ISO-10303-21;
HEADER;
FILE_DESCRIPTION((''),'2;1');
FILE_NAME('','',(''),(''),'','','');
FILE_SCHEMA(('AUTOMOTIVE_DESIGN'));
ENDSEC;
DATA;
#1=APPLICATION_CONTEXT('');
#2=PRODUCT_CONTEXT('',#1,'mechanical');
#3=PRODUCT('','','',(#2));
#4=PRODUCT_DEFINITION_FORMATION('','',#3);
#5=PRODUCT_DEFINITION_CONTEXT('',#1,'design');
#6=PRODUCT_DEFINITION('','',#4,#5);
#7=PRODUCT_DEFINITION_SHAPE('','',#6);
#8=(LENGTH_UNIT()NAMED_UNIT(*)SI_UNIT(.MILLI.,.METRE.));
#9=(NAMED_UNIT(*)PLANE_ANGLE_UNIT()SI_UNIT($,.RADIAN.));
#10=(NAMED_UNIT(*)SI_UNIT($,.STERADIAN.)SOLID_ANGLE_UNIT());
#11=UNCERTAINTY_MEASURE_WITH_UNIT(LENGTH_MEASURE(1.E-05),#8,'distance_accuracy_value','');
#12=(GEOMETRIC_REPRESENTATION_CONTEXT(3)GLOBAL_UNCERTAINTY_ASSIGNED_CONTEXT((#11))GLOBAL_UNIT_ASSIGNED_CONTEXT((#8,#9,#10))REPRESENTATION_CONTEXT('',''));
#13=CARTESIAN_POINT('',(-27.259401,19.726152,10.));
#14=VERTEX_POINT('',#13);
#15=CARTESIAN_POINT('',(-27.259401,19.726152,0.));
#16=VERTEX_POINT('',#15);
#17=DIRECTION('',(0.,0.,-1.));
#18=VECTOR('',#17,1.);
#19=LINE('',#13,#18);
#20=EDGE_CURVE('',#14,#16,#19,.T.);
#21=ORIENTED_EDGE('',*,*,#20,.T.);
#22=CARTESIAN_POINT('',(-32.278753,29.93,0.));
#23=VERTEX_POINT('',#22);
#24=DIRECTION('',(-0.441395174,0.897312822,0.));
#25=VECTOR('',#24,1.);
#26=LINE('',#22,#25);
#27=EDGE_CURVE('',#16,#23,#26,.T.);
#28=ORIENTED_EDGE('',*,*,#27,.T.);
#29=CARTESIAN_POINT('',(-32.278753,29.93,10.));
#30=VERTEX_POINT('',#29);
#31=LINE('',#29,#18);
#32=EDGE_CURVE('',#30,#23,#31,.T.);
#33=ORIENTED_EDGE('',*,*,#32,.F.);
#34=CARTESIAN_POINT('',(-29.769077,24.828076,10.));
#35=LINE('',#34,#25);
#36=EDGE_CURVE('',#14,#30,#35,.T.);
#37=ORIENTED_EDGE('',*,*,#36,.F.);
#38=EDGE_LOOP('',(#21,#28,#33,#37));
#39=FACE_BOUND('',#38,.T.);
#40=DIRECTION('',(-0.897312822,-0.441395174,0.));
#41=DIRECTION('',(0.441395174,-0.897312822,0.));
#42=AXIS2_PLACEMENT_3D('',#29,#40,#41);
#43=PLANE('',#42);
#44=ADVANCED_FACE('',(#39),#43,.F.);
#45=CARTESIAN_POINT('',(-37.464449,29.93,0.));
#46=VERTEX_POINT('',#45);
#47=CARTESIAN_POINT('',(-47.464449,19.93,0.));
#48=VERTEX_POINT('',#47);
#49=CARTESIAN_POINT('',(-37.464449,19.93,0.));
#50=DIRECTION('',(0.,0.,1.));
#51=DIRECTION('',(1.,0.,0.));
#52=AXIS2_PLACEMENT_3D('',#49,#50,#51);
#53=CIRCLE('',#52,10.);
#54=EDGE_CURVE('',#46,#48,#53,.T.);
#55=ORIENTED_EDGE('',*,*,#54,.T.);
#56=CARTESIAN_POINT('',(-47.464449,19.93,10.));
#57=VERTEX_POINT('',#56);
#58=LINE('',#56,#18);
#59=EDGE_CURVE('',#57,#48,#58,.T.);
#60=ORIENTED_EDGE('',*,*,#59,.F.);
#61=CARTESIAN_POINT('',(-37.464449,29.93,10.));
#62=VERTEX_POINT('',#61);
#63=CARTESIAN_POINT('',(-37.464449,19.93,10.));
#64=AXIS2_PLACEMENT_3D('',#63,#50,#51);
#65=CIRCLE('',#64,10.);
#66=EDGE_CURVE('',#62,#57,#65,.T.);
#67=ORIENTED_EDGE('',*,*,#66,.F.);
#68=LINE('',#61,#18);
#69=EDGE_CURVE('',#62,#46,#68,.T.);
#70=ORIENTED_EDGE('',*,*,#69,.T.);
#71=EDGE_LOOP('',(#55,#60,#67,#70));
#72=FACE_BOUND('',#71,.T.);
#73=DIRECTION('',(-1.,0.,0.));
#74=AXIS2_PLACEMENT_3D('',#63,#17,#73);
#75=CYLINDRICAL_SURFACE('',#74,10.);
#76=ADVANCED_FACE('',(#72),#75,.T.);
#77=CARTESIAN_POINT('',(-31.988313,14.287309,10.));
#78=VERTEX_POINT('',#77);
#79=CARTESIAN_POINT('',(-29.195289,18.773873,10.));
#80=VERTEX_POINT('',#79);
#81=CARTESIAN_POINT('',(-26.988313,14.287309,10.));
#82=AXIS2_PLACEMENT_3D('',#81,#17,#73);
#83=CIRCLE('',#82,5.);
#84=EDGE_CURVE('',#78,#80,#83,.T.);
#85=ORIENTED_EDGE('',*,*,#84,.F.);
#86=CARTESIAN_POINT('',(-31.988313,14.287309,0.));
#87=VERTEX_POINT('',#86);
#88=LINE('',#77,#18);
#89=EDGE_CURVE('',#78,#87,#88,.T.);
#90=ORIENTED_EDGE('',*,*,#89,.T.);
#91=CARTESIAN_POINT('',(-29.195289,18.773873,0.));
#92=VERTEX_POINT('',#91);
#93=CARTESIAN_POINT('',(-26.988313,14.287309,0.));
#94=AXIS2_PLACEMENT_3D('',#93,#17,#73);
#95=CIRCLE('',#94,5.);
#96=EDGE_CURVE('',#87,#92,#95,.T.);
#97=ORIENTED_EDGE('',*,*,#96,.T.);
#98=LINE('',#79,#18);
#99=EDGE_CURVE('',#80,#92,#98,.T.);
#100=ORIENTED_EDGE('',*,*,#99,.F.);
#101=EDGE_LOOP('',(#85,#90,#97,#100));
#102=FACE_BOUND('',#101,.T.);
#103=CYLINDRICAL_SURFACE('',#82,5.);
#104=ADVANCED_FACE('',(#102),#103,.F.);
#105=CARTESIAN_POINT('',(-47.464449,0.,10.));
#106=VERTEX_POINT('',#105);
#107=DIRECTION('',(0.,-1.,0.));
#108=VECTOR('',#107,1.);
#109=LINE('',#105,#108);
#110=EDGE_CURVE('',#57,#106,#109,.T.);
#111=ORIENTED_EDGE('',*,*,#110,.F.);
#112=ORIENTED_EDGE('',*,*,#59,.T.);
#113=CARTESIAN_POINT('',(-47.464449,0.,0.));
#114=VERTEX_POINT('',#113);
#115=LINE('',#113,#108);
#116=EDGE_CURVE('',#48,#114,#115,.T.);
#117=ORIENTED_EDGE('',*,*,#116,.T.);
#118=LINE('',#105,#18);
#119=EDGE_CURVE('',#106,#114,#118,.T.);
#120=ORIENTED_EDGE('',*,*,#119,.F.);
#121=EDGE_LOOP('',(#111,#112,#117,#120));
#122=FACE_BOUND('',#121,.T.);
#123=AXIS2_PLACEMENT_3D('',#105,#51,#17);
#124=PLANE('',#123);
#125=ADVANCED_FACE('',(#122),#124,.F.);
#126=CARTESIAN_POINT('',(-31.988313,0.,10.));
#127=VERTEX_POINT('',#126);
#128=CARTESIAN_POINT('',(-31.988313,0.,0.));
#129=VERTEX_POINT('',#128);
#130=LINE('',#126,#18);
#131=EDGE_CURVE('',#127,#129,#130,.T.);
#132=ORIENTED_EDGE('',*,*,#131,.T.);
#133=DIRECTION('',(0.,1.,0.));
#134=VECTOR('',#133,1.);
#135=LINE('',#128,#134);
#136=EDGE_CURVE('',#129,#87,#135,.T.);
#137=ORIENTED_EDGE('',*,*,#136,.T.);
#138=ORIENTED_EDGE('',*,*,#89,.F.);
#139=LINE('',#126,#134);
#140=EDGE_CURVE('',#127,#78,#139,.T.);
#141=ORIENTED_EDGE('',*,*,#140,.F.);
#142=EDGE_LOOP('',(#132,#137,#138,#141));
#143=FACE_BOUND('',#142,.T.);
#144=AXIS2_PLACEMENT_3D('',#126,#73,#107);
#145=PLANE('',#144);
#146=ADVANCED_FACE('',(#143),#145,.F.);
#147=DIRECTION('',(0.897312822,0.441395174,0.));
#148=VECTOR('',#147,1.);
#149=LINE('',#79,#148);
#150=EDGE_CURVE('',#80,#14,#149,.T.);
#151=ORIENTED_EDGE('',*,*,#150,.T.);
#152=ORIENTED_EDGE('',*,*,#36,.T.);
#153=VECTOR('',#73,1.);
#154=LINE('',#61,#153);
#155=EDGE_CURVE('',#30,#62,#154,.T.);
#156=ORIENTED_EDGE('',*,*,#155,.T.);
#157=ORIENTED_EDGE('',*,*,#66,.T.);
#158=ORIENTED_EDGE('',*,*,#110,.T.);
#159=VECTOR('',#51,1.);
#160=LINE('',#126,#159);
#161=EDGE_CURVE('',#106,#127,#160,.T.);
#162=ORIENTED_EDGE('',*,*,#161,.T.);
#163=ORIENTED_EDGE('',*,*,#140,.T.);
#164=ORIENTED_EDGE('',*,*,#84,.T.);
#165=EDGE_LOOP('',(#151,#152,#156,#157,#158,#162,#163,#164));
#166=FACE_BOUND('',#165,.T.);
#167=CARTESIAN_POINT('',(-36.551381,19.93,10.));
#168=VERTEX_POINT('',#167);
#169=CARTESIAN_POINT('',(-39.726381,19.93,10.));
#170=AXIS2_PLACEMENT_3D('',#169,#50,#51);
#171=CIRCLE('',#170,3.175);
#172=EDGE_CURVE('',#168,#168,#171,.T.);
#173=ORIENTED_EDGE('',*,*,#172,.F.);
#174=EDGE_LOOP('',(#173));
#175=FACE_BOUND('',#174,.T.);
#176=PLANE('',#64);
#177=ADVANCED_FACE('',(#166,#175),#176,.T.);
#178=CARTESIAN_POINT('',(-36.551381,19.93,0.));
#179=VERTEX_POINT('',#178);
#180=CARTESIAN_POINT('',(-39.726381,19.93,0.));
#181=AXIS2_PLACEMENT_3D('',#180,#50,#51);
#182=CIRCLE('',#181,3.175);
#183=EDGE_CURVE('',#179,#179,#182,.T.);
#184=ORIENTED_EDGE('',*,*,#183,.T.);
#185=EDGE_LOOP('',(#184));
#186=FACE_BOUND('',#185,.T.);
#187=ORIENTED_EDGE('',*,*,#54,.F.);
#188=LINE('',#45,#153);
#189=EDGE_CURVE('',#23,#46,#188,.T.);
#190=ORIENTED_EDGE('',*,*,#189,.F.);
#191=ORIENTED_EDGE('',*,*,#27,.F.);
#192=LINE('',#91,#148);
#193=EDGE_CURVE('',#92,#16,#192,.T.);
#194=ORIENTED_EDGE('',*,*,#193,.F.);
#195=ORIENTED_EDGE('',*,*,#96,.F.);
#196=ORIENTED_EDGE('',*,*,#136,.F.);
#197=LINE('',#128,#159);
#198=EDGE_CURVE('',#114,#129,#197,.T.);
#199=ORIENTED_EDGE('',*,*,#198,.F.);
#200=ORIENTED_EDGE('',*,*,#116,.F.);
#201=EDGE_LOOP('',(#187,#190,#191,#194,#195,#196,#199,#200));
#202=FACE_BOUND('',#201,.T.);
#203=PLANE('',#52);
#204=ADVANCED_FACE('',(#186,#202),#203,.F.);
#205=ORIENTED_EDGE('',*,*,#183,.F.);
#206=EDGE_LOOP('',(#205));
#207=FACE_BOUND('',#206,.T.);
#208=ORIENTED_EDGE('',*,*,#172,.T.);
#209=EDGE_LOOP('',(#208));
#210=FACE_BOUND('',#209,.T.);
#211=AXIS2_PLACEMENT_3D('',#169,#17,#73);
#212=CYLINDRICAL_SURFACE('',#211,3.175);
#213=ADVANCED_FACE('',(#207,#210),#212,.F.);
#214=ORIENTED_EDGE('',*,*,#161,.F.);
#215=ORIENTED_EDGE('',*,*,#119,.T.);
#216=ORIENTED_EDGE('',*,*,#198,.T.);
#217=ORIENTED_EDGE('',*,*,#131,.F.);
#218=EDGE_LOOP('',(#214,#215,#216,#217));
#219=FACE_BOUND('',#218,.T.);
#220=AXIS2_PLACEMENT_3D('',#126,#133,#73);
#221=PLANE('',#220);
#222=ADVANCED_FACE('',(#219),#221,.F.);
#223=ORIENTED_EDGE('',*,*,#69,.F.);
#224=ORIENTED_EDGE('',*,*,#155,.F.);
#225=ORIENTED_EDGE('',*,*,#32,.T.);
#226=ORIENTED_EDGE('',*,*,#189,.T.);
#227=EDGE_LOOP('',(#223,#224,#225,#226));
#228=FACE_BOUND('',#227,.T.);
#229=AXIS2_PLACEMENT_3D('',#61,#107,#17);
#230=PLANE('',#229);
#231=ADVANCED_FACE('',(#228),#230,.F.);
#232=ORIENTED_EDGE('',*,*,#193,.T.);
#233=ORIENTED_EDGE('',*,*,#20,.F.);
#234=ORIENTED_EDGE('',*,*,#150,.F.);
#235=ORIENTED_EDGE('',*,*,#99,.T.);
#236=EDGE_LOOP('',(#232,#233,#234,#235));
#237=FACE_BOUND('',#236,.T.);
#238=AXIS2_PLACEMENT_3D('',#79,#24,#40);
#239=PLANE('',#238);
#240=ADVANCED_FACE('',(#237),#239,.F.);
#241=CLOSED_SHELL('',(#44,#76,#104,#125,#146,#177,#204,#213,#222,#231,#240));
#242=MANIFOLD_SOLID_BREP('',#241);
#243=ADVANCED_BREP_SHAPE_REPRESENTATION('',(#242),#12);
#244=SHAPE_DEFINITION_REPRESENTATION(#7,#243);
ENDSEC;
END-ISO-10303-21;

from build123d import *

# Parameters (mm, degrees)
SKETCH1_R           = 3.175
BOSS_EXTRUDE1_DEPTH = 10


with BuildPart() as part:
    # Sketch1 → Boss-Extrude1 (new body)
    with BuildSketch(Plane.XY):
        with BuildLine():
            Line((-47.46444948, 0), (-47.46444948, 19.93))
            ThreePointArc((-47.46444948, 19.93), (-44.535517292, 27.001067812), (-37.46444948, 29.93))
            Line((-37.46444948, 29.93), (-32.278753178, 29.93))
            Line((-32.278753178, 29.93), (-29.769076862, 24.828075765))
            Line((-29.769076862, 24.828075765), (-27.259400546, 19.72615153))
            Line((-27.259400546, 19.72615153), (-29.195289257, 18.773872777))
            ThreePointArc((-29.195289257, 18.773872777), (-31.233008862, 16.929762135), (-31.988313386, 14.287308668))
            Line((-31.988313386, 14.287308668), (-31.988313386, 0))
            Line((-31.988313386, 0), (-47.46444948, 0))
        make_face()
        with Locations((-39.726381433, 19.93)):
            Circle(SKETCH1_R, mode=Mode.SUBTRACT)
    extrude(amount=BOSS_EXTRUDE1_DEPTH)


solid = part.part
